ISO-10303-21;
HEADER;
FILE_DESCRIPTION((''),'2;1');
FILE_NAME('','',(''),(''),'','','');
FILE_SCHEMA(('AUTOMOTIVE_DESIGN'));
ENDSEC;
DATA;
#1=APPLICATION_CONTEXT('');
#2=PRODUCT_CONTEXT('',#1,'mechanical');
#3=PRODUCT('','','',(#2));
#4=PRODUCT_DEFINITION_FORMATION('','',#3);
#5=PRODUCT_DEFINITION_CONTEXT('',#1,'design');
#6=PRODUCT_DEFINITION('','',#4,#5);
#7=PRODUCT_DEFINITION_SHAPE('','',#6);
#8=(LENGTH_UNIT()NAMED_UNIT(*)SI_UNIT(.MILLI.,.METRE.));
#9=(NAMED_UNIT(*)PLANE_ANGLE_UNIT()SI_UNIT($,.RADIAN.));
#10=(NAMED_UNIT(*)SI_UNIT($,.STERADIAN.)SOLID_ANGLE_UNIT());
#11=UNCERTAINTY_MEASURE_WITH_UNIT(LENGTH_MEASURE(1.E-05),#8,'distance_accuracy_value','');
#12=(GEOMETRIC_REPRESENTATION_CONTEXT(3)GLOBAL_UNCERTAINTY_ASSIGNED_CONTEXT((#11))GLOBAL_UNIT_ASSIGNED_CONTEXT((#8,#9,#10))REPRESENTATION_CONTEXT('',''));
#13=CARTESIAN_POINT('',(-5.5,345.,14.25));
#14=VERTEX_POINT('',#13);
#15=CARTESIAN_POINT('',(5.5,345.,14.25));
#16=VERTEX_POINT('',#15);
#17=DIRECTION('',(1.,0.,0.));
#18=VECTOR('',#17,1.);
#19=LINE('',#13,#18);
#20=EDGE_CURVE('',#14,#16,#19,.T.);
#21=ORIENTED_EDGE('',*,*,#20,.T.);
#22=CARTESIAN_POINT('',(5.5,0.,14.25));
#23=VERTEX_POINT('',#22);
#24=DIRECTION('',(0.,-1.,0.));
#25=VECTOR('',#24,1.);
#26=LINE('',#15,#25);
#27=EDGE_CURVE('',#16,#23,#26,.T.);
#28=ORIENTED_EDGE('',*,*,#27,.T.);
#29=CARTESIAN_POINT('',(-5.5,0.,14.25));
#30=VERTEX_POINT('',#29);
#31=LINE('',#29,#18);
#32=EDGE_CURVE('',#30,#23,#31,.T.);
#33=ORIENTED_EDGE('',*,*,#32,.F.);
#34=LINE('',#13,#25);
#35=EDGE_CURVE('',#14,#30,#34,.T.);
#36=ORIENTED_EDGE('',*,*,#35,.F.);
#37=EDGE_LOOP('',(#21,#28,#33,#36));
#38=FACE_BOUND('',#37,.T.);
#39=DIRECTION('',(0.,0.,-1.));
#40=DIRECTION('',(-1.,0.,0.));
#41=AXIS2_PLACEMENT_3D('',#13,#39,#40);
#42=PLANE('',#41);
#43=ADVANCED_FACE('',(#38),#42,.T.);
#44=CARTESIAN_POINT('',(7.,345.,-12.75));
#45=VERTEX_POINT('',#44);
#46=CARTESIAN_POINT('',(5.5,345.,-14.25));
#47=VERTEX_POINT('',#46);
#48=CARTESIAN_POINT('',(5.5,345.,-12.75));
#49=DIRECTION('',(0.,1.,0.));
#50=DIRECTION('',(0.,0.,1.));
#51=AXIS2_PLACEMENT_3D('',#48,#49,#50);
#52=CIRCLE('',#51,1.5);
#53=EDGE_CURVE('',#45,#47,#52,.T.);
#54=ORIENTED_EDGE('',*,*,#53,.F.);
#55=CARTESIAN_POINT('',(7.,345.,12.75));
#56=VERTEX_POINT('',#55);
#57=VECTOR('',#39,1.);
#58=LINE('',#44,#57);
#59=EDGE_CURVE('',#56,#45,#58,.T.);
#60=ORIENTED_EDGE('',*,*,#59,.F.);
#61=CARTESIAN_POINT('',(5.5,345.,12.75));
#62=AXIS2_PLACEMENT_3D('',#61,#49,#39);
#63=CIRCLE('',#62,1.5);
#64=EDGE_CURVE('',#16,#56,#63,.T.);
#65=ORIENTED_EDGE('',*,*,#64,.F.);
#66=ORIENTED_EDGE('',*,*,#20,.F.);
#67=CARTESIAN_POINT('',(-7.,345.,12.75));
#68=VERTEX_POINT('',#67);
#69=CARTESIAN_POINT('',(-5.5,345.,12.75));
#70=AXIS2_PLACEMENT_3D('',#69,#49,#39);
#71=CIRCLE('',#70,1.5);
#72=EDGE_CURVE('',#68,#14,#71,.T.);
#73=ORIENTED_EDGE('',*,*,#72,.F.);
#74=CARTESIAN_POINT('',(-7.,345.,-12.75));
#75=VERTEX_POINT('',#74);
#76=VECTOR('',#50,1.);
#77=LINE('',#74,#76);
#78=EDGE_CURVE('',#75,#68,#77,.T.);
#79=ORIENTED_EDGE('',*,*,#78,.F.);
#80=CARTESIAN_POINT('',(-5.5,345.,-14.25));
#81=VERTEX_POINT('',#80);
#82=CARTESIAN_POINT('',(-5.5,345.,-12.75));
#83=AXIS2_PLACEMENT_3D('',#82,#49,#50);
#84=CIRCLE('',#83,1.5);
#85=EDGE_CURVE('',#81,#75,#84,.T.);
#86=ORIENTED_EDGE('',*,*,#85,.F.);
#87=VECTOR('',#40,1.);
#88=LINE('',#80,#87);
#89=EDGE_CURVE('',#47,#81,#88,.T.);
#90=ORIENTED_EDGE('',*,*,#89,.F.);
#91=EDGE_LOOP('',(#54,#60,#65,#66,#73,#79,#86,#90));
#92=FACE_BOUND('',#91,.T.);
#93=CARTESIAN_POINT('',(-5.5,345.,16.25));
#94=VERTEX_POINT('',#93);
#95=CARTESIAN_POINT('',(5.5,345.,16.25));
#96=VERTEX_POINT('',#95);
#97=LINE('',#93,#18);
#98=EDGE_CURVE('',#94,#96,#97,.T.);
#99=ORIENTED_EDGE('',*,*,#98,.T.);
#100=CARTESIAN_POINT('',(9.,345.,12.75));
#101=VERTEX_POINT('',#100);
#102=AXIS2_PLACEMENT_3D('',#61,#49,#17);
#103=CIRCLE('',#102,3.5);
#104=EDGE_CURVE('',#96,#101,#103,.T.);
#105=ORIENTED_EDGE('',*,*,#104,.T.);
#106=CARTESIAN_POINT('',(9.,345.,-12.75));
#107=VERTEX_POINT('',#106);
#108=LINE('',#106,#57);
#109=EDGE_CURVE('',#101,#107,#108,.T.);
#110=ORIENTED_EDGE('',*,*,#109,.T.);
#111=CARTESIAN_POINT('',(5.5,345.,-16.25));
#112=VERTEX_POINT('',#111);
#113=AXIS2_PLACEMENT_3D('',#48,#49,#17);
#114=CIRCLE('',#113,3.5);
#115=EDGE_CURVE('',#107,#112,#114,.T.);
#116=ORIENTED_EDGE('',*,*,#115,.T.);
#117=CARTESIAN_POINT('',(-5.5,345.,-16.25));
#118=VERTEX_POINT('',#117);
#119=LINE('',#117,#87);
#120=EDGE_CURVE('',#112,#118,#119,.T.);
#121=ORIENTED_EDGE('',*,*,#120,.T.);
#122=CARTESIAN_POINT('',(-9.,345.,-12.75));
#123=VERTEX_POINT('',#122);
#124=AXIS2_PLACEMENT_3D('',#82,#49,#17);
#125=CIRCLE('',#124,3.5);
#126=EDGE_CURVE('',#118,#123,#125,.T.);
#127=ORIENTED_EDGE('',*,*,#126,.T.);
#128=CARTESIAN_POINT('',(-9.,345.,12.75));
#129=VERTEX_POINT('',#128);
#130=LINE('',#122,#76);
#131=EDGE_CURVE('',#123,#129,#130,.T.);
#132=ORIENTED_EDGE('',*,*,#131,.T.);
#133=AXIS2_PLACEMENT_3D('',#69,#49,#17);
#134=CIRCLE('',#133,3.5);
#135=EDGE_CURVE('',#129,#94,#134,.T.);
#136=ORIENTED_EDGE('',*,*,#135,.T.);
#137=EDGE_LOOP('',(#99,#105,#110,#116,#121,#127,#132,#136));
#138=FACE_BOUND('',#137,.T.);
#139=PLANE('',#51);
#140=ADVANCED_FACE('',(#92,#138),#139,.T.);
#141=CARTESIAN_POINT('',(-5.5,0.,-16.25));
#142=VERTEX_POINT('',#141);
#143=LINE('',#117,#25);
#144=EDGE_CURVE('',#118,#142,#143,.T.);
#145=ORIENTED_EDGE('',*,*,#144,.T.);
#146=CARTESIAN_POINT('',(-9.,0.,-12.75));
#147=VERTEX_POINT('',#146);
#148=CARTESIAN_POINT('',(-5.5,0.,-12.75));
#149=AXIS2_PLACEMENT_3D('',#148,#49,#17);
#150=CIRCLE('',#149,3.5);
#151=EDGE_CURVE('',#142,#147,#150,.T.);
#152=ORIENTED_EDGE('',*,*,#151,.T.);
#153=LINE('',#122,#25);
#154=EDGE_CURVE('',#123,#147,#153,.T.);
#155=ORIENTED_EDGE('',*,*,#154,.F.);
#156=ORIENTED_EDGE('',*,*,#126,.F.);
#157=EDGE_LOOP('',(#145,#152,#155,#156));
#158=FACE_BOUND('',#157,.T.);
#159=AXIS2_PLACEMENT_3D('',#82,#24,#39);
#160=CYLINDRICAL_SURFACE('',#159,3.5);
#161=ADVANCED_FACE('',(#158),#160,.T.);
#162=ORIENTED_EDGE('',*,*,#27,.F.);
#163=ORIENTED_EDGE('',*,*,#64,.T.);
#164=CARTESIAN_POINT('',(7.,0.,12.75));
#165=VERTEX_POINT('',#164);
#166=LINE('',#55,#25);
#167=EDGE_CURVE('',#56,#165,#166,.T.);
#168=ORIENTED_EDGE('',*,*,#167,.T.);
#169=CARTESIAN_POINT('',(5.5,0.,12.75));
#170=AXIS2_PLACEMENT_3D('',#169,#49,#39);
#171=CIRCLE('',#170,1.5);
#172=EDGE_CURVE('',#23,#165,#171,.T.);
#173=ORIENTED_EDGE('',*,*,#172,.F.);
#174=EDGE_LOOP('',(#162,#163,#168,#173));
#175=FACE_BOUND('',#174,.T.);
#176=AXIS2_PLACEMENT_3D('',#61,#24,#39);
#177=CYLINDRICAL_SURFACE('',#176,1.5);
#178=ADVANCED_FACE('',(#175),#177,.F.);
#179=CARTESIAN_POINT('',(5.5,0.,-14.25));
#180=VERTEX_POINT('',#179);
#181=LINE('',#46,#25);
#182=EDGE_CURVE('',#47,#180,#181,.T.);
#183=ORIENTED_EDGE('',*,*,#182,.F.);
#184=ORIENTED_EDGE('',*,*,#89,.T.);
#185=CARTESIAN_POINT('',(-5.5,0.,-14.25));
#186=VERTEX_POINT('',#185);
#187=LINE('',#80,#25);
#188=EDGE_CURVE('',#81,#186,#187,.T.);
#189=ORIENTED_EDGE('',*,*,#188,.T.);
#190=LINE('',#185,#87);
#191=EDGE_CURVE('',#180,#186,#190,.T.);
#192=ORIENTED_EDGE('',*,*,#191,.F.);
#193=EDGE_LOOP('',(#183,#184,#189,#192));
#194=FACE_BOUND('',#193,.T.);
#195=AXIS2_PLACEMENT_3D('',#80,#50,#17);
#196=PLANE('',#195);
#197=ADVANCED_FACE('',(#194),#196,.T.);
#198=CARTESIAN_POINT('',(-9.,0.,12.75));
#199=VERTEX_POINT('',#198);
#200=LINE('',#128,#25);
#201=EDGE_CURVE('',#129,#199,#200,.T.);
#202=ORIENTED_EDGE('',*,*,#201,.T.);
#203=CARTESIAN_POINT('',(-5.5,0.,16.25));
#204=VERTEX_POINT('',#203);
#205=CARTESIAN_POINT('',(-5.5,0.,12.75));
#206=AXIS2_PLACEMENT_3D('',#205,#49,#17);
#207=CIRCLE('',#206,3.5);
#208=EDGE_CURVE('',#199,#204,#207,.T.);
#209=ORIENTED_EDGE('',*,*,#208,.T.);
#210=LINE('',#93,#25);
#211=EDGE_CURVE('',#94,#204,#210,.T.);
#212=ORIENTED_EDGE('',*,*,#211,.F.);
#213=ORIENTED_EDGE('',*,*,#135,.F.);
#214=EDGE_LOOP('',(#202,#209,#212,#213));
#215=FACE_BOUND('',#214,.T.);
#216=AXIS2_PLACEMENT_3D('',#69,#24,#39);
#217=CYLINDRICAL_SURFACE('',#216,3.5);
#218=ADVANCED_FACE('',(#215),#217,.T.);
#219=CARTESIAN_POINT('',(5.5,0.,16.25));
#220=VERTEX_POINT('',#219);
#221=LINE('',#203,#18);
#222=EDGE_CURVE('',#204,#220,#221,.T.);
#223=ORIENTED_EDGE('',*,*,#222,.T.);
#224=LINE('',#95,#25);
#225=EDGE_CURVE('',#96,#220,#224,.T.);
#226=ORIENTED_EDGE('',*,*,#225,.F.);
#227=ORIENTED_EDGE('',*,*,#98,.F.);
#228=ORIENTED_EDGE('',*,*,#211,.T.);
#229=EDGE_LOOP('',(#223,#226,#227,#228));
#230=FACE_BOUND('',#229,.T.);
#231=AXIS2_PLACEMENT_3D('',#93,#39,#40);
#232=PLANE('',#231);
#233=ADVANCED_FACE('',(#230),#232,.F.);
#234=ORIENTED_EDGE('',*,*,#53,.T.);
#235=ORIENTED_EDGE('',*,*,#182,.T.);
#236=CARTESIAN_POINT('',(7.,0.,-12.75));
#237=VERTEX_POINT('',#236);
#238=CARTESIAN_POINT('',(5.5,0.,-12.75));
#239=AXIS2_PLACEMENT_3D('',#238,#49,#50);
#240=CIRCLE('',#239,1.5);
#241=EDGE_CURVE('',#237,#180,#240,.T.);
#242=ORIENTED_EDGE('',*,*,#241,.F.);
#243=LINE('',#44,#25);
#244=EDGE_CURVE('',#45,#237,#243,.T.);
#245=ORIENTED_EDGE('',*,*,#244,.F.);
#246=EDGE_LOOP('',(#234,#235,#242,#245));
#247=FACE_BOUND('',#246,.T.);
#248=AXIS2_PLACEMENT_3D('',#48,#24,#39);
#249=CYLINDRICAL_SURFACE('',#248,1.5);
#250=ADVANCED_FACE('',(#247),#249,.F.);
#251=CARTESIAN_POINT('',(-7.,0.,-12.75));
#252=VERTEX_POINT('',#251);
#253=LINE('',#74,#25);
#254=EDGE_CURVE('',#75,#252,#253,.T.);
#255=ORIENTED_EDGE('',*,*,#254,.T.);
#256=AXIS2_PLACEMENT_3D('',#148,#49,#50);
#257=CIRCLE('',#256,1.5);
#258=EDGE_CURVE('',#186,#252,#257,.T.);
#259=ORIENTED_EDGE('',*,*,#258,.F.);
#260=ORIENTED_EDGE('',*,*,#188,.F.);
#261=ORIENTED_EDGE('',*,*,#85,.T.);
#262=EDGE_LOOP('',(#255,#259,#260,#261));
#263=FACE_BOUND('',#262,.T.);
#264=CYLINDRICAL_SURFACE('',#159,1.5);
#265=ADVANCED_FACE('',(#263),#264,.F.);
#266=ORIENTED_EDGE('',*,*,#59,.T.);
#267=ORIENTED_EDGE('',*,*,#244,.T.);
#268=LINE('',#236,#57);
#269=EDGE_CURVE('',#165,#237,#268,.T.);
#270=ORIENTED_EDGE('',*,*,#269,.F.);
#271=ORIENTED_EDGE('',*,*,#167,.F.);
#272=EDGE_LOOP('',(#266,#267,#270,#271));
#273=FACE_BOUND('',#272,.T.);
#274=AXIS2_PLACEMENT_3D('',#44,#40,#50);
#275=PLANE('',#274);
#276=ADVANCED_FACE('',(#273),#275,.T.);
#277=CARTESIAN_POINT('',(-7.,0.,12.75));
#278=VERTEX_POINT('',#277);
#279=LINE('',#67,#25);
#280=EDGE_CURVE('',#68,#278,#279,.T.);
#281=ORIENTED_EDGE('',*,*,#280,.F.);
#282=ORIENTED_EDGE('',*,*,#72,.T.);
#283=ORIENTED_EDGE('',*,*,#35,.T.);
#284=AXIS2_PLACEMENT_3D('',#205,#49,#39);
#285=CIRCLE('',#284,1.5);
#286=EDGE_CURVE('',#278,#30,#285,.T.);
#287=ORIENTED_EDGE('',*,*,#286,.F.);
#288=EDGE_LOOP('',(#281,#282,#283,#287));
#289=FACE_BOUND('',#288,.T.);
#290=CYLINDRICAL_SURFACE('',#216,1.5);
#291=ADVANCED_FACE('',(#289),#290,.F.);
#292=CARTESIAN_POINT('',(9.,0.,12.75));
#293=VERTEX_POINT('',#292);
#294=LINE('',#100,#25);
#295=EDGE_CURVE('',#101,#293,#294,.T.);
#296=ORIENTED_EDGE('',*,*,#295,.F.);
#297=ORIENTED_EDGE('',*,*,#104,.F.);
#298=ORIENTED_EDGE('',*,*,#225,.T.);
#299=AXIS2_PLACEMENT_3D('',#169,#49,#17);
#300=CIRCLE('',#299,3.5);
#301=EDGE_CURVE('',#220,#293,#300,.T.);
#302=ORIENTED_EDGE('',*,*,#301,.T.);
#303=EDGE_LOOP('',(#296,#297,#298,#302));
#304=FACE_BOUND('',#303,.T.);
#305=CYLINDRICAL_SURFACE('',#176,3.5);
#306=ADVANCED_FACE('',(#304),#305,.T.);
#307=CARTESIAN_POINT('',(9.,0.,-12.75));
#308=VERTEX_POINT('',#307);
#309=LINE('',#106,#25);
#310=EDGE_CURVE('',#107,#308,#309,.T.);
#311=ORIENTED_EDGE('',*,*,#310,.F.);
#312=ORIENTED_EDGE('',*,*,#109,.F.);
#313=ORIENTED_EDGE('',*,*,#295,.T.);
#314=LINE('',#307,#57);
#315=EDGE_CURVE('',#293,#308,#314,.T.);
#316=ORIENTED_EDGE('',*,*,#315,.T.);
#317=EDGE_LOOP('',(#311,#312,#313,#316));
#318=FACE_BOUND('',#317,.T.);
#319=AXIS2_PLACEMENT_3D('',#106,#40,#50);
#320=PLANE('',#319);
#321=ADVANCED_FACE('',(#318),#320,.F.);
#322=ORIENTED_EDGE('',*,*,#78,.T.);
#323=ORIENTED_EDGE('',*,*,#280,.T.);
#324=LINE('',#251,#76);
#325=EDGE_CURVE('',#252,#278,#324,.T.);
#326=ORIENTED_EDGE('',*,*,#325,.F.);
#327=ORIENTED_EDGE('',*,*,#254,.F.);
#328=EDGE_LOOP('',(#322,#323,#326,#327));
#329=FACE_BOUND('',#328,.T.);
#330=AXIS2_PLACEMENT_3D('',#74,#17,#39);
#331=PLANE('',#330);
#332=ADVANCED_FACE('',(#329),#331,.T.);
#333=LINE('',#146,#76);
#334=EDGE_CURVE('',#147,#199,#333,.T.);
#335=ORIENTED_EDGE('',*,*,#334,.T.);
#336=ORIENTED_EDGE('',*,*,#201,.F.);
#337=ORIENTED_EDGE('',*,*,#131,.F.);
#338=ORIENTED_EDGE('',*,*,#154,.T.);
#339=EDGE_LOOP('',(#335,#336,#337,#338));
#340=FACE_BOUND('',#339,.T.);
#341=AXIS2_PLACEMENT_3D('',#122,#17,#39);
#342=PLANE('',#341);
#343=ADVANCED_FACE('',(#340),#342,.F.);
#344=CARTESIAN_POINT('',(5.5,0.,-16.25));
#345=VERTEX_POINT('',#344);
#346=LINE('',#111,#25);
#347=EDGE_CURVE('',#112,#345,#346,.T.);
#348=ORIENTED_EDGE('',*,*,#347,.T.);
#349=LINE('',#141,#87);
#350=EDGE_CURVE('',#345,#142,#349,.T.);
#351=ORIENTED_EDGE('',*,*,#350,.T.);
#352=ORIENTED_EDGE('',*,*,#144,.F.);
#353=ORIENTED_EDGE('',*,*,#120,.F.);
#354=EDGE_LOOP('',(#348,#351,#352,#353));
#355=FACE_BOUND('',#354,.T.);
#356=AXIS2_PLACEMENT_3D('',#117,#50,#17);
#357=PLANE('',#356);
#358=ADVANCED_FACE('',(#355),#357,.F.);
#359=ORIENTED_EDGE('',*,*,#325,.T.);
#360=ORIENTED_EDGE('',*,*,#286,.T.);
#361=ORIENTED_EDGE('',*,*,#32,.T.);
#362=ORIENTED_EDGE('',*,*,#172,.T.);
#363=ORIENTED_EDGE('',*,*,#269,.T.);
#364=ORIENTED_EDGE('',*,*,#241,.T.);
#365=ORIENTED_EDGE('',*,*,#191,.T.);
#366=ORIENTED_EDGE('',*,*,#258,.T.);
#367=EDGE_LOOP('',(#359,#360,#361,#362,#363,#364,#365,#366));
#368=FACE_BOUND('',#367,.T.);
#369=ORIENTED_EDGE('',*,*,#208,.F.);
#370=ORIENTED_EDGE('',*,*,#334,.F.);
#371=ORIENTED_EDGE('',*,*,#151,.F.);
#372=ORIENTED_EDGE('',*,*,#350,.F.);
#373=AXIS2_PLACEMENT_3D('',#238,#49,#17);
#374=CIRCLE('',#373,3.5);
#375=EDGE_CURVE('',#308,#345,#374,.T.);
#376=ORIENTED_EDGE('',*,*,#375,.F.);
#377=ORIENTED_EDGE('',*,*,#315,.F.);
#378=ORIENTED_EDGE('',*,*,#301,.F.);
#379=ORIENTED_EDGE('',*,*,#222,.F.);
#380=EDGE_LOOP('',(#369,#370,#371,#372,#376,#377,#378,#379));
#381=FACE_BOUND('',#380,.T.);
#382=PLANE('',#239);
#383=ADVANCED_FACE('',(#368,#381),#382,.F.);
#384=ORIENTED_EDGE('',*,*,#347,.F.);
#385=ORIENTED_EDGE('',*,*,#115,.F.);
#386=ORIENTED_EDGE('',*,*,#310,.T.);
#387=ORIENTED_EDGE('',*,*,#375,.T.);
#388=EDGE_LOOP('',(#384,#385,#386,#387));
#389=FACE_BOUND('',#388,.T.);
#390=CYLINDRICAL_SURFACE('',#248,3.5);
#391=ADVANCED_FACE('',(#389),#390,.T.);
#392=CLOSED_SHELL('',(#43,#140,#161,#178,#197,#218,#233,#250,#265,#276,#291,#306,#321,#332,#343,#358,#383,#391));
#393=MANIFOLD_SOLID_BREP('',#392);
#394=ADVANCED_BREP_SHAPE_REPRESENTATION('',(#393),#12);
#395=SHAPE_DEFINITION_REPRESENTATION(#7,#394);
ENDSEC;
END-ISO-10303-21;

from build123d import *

# Parameters (mm, degrees)
EXTRUDE_1_DEPTH = 345


with BuildPart() as part:
    # Эскиз1 → Вытянуть-Тонкостенный1 (new body)
    with BuildSketch(Plane(origin=(0, 0, 0), x_dir=(1, 0, 0), z_dir=(0, 1, 0))):
        with BuildLine():
            Line((5.5, -16.25), (-5.5, -16.25))
            ThreePointArc((-5.5, -16.25), (-7.974873734, -15.224873734), (-9, -12.75))
            Line((-9, -12.75), (-9, 12.75))
            ThreePointArc((-9, 12.75), (-7.974873734, 15.224873734), (-5.5, 16.25))
            Line((-5.5, 16.25), (5.5, 16.25))
            ThreePointArc((5.5, 16.25), (7.974873734, 15.224873734), (9, 12.75))
            Line((9, 12.75), (9, -12.75))
            ThreePointArc((9, -12.75), (7.974873734, -15.224873734), (5.5, -16.25))
        make_face()
        with BuildLine():
            Line((5.5, -14.25), (-5.5, -14.25))
            ThreePointArc((-5.5, -14.25), (-6.560660172, -13.810660172), (-7, -12.75))
            Line((-7, -12.75), (-7, 12.75))
            ThreePointArc((-7, 12.75), (-6.560660172, 13.810660172), (-5.5, 14.25))
            Line((-5.5, 14.25), (5.5, 14.25))
            ThreePointArc((5.5, 14.25), (6.560660172, 13.810660172), (7, 12.75))
            Line((7, 12.75), (7, -12.75))
            ThreePointArc((7, -12.75), (6.560660172, -13.810660172), (5.5, -14.25))
        make_face(mode=Mode.SUBTRACT)
    extrude(amount=EXTRUDE_1_DEPTH)


solid = part.part
